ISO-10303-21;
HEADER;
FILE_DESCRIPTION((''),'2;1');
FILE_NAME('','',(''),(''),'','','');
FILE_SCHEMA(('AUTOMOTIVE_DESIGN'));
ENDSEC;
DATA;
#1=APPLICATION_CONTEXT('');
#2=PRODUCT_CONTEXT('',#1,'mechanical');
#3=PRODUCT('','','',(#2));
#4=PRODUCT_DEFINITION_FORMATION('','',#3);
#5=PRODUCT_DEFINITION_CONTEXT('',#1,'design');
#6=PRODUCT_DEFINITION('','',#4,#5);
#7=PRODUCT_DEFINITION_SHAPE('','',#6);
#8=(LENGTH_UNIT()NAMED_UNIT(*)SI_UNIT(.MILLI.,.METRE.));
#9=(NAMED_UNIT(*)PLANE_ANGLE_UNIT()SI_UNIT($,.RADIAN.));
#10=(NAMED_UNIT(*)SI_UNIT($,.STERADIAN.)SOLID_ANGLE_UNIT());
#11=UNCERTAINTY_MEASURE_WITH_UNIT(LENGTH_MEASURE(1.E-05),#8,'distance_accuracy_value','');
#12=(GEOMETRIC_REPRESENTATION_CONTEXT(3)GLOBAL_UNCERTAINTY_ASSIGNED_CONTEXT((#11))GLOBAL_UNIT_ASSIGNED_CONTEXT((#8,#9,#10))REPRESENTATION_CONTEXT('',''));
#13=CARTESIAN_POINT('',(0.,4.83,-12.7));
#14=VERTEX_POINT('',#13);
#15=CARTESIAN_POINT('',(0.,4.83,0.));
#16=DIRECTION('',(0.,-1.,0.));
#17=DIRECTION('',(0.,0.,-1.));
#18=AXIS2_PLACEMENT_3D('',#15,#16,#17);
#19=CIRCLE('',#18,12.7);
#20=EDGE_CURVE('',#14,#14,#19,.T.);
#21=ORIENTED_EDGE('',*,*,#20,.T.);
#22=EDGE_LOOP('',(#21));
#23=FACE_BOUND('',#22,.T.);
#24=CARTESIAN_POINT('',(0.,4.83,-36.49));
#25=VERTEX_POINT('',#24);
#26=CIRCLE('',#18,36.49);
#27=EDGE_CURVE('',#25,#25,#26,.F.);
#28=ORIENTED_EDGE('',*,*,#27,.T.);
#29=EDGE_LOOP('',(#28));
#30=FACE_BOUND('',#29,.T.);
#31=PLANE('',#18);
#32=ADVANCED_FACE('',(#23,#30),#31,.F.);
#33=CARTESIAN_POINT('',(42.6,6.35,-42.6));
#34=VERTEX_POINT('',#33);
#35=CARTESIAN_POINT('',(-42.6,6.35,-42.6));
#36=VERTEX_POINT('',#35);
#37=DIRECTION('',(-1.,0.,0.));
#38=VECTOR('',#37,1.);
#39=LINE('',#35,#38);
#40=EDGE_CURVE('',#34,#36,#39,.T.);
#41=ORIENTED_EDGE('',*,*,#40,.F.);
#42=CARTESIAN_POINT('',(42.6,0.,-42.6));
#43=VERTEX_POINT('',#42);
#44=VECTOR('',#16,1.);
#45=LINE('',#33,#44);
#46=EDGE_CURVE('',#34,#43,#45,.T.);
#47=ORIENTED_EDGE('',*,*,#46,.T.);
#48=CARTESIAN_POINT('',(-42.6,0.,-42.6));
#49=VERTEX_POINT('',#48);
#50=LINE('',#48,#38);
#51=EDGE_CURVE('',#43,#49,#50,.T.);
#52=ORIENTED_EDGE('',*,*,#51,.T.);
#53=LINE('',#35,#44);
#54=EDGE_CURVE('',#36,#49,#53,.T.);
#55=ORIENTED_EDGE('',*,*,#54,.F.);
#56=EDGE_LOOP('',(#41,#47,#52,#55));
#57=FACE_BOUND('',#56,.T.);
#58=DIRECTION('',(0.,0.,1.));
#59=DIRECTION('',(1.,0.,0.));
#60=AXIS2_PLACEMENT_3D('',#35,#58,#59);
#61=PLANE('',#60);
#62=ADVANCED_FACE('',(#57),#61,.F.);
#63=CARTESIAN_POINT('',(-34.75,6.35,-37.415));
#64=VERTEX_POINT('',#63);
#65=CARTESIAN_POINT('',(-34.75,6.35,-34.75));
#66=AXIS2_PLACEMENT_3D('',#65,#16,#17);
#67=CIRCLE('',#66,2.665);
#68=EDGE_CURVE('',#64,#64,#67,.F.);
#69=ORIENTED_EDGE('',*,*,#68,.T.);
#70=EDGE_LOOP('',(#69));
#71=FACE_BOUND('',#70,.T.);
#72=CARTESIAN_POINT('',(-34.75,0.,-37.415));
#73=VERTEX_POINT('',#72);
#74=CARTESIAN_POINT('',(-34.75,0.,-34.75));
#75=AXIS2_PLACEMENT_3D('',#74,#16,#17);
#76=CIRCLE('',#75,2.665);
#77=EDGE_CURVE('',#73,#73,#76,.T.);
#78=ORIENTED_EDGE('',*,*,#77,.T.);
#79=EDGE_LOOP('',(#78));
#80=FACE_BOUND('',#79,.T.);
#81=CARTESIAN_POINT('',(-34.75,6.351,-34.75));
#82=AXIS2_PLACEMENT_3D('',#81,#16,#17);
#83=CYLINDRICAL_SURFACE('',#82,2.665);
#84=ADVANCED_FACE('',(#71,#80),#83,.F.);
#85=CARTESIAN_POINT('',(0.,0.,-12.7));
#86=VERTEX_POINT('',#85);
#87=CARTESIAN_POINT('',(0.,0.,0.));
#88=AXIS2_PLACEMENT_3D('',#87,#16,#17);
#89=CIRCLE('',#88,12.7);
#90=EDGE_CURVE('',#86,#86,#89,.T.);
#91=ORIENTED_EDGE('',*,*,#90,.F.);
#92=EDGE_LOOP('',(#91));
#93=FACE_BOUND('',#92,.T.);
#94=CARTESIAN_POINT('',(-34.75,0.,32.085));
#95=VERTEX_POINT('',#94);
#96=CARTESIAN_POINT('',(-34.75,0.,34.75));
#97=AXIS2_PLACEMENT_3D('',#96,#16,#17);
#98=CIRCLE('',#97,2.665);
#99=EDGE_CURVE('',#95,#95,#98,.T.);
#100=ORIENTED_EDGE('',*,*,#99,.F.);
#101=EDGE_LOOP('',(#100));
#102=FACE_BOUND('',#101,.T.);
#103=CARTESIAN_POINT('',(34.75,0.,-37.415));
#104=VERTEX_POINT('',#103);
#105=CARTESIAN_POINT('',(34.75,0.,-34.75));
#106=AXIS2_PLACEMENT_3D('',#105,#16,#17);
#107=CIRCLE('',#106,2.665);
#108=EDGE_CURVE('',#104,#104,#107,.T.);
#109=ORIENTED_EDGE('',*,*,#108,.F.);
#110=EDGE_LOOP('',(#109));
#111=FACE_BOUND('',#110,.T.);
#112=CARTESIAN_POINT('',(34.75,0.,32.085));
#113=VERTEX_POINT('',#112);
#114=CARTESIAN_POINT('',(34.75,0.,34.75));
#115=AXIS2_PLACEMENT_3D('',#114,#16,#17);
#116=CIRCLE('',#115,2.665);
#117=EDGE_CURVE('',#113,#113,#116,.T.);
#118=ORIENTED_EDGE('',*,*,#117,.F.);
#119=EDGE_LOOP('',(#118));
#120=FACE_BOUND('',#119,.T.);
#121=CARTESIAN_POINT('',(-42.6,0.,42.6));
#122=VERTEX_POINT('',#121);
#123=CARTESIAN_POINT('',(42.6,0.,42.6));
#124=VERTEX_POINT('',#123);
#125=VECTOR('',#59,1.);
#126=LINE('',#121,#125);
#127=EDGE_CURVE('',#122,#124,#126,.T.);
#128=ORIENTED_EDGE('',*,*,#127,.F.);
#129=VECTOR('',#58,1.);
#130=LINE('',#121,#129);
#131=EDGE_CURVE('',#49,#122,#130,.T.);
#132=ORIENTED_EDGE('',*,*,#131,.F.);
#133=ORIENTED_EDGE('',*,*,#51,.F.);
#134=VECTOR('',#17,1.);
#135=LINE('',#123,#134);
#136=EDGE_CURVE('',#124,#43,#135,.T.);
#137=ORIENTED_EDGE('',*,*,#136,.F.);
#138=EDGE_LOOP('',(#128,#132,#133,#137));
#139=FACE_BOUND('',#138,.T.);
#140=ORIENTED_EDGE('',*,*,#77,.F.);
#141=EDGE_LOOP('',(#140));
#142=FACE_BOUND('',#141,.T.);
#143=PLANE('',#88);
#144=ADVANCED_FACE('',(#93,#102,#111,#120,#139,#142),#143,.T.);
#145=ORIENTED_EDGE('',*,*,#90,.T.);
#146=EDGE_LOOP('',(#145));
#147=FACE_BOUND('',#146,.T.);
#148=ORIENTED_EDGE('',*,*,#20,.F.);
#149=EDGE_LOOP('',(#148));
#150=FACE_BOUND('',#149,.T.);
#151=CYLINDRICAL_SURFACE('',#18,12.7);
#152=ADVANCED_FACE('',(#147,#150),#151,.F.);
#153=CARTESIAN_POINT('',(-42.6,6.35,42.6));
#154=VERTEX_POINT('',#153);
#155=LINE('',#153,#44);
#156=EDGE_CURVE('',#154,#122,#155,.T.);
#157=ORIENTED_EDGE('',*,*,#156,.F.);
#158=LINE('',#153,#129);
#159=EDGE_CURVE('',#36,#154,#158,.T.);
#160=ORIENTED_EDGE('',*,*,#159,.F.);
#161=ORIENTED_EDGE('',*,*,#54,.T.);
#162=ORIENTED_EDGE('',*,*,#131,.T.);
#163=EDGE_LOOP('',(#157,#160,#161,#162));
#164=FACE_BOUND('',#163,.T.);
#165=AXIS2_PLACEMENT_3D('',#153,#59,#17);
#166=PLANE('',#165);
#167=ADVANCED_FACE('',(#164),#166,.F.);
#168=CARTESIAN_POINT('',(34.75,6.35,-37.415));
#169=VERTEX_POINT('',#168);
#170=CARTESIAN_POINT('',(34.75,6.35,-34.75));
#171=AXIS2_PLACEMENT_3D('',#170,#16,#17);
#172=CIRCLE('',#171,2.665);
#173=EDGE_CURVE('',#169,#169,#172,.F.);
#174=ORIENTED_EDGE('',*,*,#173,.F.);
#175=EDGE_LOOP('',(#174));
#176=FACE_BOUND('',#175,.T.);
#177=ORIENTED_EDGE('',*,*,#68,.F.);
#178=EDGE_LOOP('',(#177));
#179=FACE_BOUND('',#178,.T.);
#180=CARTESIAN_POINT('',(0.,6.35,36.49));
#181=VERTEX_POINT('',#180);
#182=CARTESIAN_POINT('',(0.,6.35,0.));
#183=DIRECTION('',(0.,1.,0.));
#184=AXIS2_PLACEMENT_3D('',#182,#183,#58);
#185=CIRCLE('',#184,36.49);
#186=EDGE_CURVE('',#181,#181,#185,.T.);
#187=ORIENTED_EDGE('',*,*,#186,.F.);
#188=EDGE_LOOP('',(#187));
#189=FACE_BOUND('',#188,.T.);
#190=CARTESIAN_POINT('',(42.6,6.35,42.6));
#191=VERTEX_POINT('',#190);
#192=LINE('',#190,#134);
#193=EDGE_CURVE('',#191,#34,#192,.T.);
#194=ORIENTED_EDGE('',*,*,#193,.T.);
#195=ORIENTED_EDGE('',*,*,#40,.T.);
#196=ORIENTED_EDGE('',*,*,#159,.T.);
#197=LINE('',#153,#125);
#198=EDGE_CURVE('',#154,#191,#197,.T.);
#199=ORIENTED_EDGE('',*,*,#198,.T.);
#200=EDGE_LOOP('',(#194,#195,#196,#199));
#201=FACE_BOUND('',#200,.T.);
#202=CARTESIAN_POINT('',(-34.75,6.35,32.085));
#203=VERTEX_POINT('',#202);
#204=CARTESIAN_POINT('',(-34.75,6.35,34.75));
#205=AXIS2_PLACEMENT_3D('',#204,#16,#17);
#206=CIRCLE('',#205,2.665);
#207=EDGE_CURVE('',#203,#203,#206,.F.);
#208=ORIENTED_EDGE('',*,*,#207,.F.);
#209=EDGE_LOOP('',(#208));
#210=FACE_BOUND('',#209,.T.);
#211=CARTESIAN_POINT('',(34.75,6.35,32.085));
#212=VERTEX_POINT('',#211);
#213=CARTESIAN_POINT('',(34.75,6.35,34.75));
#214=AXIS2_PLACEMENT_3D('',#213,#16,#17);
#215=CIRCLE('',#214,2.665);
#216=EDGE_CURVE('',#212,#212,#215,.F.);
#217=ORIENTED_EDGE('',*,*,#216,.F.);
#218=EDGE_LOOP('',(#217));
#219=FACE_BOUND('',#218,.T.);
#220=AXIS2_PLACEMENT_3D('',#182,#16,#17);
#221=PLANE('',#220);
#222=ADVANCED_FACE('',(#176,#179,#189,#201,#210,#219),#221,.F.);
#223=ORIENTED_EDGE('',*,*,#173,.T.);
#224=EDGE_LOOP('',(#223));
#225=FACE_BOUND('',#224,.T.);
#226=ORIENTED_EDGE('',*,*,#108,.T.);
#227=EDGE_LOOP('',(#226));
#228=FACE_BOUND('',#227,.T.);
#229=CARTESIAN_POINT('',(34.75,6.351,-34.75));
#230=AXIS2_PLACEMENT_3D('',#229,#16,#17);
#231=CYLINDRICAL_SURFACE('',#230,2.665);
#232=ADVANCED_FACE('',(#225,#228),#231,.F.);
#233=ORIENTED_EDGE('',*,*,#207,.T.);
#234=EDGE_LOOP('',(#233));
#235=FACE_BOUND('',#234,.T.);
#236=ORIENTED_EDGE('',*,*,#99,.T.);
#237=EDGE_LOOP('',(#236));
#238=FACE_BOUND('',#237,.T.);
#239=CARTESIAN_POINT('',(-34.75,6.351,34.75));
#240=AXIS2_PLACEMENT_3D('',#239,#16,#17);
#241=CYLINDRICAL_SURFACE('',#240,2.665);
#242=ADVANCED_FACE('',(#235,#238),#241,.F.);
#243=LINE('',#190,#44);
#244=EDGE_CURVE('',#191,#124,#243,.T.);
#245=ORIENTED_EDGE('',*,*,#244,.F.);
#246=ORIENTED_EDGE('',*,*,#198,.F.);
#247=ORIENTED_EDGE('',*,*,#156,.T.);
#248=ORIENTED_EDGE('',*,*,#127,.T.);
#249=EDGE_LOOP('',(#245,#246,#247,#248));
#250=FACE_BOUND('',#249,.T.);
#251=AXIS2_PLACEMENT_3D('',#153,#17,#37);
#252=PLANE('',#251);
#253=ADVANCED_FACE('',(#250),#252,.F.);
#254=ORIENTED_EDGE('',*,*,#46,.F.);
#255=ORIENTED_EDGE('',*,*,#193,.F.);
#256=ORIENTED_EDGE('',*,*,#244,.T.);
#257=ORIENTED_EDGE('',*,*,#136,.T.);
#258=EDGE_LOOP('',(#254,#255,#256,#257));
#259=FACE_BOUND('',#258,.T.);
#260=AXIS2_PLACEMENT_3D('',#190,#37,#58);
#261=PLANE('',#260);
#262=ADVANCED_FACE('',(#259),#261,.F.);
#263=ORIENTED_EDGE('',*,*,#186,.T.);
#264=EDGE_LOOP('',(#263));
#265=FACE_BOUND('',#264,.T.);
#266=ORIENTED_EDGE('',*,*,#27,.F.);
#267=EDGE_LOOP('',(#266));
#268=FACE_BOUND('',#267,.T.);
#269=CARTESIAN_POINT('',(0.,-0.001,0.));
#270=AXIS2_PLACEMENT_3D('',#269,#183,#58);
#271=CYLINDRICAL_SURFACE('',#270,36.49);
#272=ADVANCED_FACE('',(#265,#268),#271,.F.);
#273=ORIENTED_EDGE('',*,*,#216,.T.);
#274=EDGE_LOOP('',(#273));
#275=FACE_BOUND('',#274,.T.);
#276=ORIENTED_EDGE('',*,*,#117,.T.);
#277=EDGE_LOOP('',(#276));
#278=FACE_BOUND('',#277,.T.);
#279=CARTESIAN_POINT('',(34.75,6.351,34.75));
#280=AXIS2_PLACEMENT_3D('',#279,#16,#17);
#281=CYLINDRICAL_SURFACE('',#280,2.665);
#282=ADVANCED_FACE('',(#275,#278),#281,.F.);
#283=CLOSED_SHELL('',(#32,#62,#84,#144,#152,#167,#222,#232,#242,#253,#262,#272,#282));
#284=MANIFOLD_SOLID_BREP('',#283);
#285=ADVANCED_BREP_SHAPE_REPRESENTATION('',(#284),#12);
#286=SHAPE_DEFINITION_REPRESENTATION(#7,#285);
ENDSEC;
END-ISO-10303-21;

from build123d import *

# Parameters (mm, degrees)
SKETCH1_W           = 85.2
SKETCH1_H           = 85.2
BOSS_EXTRUDE1_DEPTH = 6.35
CUT_EXTRUDE1_REACH  = 62.579
SKETCH2_R           = 36.49
BOSS_EXTRUDE2_START = -4.83
SKETCH5_R           = 36.49
SKETCH5_R_2         = 12.7
BOSS_EXTRUDE2_DEPTH = 4.83
CUT_EXTRUDE2_REACH  = 62.579
SKETCH6_R           = 2.665


with BuildPart() as part:
    # Sketch1 → Boss-Extrude1 (new body)
    with BuildSketch(Plane(origin=(0, 0, 0), x_dir=(1, 0, 0), z_dir=(0, 1, 0))):
        Rectangle(SKETCH1_W, SKETCH1_H)
    extrude(amount=BOSS_EXTRUDE1_DEPTH)

    # Sketch2 → Cut-Extrude1 (cut, up to next)
    with BuildSketch(Plane(origin=(0, 6.35, 0), x_dir=(1, 0, 0), z_dir=(0, 1, 0)), mode=Mode.PRIVATE) as cut_extrude1_sk1:
        with Locations(Location((0, 0, 0), (0, 0, 270))):
            Circle(SKETCH2_R)
    cut_extrude1_tool1 = extrude(cut_extrude1_sk1.sketch, amount=-CUT_EXTRUDE1_REACH, mode=Mode.PRIVATE) & part.part
    add(cut_extrude1_tool1.solids().sort_by_distance((0, 6.35, 0))[0], mode=Mode.SUBTRACT)

    # Sketch5 → Boss-Extrude2 (add)
    with BuildSketch(Plane.XZ.offset(BOSS_EXTRUDE2_START)):
        with Locations(Location((0, 0, 0), (0, 0, 90))):
            Circle(SKETCH5_R)
        with Locations(Location((0, 0, 0), (0, 0, 270))):
            Circle(SKETCH5_R_2, mode=Mode.SUBTRACT)
    extrude(amount=BOSS_EXTRUDE2_DEPTH)

    # Sketch6 → Cut-Extrude2 (cut, up to next)
    with BuildSketch(Plane.XZ, mode=Mode.PRIVATE) as cut_extrude2_sk1:
        with Locations(Location((-34.75, -34.75, 0), (0, 0, 270))):
            Circle(SKETCH6_R)
    cut_extrude2_tool1 = extrude(cut_extrude2_sk1.sketch, amount=-CUT_EXTRUDE2_REACH, mode=Mode.PRIVATE) & part.part
    # Sketch6 → Cut-Extrude2 (cut, up to next)
    with BuildSketch(Plane.XZ, mode=Mode.PRIVATE) as cut_extrude2_sk2:
        with Locations(Location((-34.75, 34.75, 0), (0, 0, 270))):
            Circle(SKETCH6_R)
    cut_extrude2_tool2 = extrude(cut_extrude2_sk2.sketch, amount=-CUT_EXTRUDE2_REACH, mode=Mode.PRIVATE) & part.part
    # Sketch6 → Cut-Extrude2 (cut, up to next)
    with BuildSketch(Plane.XZ, mode=Mode.PRIVATE) as cut_extrude2_sk3:
        with Locations(Location((34.75, 34.75, 0), (0, 0, 270))):
            Circle(SKETCH6_R)
    cut_extrude2_tool3 = extrude(cut_extrude2_sk3.sketch, amount=-CUT_EXTRUDE2_REACH, mode=Mode.PRIVATE) & part.part
    # Sketch6 → Cut-Extrude2 (cut, up to next)
    with BuildSketch(Plane.XZ, mode=Mode.PRIVATE) as cut_extrude2_sk4:
        with Locations(Location((34.75, -34.75, 0), (0, 0, 270))):
            Circle(SKETCH6_R)
    cut_extrude2_tool4 = extrude(cut_extrude2_sk4.sketch, amount=-CUT_EXTRUDE2_REACH, mode=Mode.PRIVATE) & part.part
    add(cut_extrude2_tool1.solids().sort_by_distance((-34.75, 0, -34.75))[0], mode=Mode.SUBTRACT)
    add(cut_extrude2_tool2.solids().sort_by_distance((-34.75, 0, 34.75))[0], mode=Mode.SUBTRACT)
    add(cut_extrude2_tool3.solids().sort_by_distance((34.75, 0, 34.75))[0], mode=Mode.SUBTRACT)
    add(cut_extrude2_tool4.solids().sort_by_distance((34.75, 0, -34.75))[0], mode=Mode.SUBTRACT)


solid = part.part
